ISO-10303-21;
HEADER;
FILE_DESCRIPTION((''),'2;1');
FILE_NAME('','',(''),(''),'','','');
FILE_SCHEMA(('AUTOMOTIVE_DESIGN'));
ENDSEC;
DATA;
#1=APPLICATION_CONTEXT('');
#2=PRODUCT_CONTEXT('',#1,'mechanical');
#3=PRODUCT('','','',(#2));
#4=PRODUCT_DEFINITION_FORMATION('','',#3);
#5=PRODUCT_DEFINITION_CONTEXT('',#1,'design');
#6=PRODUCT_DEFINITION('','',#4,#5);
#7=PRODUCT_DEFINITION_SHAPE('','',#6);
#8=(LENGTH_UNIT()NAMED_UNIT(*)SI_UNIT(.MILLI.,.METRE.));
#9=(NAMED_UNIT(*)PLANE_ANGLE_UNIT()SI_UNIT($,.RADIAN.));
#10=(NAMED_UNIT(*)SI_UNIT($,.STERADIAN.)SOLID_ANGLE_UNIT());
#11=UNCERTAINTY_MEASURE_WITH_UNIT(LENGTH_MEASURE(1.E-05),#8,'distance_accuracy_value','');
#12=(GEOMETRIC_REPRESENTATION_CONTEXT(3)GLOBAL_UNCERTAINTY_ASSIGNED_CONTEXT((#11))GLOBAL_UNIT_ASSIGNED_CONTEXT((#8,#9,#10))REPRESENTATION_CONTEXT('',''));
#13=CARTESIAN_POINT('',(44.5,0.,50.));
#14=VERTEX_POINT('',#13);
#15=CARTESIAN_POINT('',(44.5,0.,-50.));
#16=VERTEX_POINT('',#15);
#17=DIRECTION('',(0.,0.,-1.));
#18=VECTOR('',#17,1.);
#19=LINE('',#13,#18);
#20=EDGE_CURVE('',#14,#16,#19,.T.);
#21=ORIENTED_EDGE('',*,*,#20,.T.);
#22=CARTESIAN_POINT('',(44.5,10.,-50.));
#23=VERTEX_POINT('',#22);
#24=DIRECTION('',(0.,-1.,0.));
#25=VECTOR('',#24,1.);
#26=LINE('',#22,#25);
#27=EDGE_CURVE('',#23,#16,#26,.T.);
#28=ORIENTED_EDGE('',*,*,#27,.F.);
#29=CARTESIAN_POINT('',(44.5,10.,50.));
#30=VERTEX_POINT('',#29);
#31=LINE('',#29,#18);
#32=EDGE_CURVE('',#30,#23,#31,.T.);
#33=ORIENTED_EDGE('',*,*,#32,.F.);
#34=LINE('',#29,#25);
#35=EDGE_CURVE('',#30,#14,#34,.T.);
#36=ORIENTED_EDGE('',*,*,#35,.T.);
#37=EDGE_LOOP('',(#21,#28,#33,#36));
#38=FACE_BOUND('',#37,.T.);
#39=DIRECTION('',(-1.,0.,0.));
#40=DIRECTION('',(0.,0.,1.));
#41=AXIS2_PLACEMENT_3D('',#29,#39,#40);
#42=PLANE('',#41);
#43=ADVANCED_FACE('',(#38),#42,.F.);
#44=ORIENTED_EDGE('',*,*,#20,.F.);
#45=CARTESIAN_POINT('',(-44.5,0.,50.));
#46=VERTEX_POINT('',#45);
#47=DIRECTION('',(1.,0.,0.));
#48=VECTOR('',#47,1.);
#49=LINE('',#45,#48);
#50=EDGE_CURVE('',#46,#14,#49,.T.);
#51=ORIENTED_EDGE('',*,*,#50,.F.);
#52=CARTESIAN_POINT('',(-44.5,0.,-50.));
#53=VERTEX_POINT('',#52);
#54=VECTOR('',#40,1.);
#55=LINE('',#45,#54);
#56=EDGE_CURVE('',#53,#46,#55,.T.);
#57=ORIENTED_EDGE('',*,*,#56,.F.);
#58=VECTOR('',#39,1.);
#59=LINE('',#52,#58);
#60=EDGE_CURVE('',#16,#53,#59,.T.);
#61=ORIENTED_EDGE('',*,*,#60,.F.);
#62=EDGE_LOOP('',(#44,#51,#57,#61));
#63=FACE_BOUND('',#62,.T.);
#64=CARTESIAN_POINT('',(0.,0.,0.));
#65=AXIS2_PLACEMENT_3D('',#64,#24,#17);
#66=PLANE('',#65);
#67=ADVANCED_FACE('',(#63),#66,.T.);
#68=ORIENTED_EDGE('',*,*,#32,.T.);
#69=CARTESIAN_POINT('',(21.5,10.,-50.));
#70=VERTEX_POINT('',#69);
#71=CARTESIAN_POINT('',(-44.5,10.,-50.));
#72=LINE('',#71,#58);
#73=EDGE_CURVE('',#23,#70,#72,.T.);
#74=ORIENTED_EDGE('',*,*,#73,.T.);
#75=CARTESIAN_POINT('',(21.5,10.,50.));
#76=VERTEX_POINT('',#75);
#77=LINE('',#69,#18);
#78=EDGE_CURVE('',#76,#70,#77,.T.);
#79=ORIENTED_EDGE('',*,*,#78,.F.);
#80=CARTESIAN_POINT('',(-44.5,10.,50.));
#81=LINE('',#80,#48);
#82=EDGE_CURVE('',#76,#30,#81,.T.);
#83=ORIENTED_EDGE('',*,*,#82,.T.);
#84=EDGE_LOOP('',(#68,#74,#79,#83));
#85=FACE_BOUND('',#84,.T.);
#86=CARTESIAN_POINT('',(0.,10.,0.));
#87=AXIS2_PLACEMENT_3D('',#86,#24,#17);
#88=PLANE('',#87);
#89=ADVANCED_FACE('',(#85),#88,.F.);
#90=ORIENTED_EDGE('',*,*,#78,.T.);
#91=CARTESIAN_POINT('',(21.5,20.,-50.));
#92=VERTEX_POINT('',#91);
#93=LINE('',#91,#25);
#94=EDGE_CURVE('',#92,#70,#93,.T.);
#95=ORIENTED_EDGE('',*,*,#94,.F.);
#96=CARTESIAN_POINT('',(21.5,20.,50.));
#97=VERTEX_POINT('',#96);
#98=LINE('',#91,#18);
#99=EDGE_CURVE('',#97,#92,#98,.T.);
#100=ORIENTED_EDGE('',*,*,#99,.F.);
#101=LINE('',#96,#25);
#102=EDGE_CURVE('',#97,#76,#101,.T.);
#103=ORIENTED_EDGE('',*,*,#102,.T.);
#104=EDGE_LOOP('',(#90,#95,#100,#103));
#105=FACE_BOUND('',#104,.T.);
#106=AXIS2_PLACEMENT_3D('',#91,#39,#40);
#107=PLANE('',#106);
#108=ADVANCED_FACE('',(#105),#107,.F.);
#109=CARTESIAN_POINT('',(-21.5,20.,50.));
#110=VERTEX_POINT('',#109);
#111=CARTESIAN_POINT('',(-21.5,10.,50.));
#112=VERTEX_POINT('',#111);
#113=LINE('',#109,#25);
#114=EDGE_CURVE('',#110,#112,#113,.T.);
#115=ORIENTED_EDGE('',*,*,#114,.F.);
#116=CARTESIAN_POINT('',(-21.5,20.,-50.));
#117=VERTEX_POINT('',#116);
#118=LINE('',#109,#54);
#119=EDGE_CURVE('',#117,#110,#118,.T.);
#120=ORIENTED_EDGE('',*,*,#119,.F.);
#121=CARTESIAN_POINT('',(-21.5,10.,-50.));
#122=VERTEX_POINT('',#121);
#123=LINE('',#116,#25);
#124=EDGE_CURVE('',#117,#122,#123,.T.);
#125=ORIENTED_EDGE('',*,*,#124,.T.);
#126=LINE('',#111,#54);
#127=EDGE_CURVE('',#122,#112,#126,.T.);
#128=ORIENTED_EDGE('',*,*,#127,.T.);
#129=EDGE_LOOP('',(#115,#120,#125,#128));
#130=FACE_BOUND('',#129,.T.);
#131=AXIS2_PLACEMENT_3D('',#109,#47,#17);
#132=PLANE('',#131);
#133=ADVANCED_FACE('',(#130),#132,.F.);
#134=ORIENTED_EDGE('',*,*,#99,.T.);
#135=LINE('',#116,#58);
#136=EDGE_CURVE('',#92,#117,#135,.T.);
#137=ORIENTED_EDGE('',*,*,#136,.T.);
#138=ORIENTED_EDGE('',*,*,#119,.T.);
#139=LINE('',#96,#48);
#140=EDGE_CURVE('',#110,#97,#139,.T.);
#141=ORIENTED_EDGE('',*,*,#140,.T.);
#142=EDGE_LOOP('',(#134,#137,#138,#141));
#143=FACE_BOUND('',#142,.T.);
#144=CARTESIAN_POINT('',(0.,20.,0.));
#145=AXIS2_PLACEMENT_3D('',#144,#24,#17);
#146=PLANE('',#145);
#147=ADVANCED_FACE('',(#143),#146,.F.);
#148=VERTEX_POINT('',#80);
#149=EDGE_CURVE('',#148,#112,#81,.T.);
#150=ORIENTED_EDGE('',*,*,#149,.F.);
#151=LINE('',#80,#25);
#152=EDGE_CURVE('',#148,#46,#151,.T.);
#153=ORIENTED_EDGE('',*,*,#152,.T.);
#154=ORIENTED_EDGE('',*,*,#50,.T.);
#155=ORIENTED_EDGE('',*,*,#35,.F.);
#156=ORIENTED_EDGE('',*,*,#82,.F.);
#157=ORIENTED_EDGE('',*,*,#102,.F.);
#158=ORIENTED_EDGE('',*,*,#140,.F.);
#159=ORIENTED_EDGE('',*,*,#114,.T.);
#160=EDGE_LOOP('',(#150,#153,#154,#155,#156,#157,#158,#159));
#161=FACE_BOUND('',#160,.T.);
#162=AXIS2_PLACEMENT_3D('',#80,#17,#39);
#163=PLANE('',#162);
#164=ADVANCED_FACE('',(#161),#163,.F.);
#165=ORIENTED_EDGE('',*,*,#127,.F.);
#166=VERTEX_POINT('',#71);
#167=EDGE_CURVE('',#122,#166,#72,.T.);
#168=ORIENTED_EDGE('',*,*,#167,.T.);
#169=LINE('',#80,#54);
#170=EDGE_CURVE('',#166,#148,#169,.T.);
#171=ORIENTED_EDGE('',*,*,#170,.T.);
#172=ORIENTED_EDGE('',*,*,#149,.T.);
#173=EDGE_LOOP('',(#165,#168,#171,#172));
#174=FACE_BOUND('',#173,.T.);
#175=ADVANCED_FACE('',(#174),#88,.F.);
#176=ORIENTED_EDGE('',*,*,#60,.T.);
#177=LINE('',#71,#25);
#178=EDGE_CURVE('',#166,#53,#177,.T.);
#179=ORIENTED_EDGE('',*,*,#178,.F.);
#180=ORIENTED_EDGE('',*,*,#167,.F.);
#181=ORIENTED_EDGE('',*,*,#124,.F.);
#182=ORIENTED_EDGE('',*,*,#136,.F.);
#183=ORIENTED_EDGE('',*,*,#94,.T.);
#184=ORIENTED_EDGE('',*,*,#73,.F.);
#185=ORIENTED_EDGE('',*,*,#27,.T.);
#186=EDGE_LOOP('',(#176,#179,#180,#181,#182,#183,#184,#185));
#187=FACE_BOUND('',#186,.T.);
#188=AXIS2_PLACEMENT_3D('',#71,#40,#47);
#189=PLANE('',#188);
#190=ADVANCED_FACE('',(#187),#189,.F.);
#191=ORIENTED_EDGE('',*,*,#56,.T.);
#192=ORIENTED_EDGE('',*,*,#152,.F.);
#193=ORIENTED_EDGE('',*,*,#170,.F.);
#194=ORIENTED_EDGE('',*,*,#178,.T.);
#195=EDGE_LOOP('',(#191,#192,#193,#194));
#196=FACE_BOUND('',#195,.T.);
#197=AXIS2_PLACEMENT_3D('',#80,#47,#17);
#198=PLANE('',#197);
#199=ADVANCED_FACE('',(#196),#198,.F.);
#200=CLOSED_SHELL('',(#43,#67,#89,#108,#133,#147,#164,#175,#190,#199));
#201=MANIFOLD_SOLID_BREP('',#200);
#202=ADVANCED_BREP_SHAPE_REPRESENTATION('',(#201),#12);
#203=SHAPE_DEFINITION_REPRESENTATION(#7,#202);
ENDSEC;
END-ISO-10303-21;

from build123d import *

# Parameters (mm, degrees)
SKETCH_1_W      = 89
SKETCH_1_H      = 100
EXTRUDE_1_DEPTH = 10
EXTRUDE_2_DEPTH = 10


with BuildPart() as part:
    # Эскиз1 → Бобышка-Вытянуть1 (new body)
    with BuildSketch(Plane(origin=(0, 0, 0), x_dir=(1, 0, 0), z_dir=(0, 1, 0))):
        Rectangle(SKETCH_1_W, SKETCH_1_H)
    extrude(amount=EXTRUDE_1_DEPTH)

    # Эскиз2 → Бобышка-Вытянуть2 (add)
    with BuildSketch(Plane(origin=(0, 10, 0), x_dir=(1, 0, 0), z_dir=(0, 1, 0))):
        Polygon((0, 50), (21.5, 50), (21.5, -50), (-21.5, -50), (-21.5, 50), align=None)
    extrude(amount=EXTRUDE_2_DEPTH)


solid = part.part
